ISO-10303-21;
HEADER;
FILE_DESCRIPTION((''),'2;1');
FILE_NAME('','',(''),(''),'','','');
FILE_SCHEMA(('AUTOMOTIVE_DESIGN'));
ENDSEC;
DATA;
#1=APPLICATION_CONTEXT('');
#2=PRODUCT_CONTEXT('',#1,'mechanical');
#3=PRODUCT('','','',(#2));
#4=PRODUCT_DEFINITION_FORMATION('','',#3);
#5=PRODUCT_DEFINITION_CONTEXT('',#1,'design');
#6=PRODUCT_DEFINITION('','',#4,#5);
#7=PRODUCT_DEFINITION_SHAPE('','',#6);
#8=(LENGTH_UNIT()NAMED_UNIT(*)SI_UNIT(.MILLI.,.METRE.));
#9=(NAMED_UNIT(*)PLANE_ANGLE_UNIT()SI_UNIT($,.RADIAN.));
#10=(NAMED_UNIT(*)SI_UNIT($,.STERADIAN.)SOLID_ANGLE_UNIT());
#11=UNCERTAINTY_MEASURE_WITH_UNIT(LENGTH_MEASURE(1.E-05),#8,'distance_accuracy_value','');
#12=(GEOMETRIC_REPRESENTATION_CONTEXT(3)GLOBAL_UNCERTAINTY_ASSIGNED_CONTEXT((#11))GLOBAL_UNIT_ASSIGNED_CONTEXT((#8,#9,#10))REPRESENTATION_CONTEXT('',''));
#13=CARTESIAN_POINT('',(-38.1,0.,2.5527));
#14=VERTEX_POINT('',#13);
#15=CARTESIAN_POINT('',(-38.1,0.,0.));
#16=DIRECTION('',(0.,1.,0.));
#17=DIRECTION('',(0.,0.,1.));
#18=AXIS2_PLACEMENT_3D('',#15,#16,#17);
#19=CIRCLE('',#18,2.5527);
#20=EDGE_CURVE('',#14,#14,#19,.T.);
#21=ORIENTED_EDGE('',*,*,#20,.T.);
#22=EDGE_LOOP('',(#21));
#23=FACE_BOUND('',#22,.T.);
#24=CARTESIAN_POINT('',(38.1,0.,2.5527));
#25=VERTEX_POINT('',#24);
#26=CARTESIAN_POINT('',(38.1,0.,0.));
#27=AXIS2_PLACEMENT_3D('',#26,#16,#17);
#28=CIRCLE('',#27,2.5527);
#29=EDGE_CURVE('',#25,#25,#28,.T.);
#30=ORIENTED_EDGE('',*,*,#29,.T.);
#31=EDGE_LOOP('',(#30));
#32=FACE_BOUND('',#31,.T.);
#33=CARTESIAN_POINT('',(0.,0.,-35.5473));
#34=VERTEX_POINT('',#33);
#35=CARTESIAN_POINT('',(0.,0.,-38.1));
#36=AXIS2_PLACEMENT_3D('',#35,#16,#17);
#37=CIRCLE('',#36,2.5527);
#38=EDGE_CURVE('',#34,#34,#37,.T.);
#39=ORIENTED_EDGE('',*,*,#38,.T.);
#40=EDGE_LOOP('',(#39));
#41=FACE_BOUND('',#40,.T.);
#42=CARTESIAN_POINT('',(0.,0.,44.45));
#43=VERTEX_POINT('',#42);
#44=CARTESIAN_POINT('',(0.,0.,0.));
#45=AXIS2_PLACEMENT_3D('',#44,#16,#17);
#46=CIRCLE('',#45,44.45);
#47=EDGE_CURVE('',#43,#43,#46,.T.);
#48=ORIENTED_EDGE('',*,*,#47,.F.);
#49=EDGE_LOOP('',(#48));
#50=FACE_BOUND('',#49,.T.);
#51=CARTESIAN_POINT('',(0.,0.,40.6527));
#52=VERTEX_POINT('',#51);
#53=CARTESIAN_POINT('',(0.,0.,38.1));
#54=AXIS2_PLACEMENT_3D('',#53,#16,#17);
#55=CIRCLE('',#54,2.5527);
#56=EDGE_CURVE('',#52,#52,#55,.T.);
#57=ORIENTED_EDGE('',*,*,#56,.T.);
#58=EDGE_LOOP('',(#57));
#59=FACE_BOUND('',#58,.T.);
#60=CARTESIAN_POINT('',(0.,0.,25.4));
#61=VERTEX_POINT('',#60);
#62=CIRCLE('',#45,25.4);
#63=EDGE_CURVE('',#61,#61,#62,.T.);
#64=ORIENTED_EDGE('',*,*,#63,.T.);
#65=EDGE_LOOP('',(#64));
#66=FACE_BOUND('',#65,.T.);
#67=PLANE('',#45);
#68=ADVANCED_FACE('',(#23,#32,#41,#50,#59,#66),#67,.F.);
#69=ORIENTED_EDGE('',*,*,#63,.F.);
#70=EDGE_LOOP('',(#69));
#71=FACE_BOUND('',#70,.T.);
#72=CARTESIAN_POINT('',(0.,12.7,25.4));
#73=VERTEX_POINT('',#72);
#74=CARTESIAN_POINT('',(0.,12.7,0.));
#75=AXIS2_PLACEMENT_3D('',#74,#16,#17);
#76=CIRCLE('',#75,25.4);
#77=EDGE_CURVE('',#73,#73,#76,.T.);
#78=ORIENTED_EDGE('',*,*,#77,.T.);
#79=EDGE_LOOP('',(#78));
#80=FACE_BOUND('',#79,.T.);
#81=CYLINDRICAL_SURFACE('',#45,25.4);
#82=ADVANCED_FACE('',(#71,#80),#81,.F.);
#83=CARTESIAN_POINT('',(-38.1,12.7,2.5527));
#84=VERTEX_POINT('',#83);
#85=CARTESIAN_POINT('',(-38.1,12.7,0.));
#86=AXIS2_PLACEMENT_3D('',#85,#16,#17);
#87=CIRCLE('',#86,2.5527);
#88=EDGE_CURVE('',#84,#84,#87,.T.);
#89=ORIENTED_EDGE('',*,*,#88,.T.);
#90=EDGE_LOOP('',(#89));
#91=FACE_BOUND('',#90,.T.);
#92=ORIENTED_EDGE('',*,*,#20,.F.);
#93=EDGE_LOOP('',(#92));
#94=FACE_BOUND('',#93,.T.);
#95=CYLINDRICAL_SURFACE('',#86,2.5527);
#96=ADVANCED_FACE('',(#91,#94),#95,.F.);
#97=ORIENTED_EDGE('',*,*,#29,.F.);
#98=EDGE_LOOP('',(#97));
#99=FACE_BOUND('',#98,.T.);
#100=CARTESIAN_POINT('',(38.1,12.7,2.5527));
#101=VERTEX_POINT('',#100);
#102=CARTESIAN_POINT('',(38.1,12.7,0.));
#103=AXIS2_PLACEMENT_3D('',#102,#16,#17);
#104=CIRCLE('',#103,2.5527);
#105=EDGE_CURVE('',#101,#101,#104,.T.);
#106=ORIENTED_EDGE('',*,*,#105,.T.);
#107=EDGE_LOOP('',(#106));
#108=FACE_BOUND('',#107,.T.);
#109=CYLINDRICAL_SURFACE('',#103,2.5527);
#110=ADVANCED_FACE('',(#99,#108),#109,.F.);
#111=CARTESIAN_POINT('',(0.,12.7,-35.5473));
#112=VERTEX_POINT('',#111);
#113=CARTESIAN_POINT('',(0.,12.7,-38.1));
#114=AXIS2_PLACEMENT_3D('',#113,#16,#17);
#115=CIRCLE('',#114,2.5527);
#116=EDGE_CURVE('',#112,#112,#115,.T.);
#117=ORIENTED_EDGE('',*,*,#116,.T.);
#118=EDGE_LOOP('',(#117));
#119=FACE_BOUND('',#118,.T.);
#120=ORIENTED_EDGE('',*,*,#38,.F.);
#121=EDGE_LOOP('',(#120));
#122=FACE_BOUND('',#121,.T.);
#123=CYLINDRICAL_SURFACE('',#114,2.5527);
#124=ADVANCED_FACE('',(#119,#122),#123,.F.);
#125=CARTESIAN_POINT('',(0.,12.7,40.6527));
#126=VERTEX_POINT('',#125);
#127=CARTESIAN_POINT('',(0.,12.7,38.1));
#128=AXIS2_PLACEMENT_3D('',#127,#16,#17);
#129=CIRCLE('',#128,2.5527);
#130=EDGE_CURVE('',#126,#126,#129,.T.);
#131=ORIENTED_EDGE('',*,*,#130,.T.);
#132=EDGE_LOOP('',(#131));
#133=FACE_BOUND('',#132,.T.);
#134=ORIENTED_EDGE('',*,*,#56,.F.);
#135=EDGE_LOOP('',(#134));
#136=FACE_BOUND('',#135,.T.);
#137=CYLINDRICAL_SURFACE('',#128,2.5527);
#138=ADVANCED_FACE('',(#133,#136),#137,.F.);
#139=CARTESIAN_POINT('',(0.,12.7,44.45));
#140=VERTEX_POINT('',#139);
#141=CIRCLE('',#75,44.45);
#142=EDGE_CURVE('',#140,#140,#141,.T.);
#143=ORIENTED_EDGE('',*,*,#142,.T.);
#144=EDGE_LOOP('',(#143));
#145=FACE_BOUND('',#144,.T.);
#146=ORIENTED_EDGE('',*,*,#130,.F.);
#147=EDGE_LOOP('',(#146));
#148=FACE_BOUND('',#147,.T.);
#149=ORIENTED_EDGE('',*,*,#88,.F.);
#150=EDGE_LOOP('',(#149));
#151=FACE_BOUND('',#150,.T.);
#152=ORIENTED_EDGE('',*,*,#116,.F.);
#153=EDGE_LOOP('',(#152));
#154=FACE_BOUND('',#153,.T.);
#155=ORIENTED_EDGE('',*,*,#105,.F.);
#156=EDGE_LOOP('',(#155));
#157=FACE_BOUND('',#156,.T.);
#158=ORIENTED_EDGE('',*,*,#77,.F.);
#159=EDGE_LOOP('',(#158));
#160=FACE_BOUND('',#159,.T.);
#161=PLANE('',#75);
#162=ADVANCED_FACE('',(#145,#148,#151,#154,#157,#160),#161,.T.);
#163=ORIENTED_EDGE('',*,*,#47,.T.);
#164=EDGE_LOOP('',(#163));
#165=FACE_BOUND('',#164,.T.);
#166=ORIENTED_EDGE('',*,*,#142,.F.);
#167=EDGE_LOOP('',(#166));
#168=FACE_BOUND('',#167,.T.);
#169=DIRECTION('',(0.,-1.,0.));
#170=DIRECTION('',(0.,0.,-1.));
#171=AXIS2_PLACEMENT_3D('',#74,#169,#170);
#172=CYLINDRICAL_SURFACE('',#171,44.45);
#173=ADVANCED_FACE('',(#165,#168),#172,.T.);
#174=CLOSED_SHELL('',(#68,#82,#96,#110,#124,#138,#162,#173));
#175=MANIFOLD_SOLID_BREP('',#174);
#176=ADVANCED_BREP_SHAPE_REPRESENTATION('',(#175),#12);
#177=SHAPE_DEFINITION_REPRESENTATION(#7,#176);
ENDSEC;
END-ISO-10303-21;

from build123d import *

# Parameters (mm, degrees)
SKETCH1_R                  = 44.45
BOSS_EXTRUDE1_DEPTH        = 12.7
SKETCH2_R                  = 25.4
CUT_EXTRUDE1_DEPTH         = 13.7
F_7_0_201_DIAMETER_HOLE1_D = 5.1054
CIRPATTERN1_COUNT          = 4


with BuildPart() as part:
    # Sketch1 → Boss-Extrude1 (new body)
    with BuildSketch(Plane(origin=(0, 0, 0), x_dir=(1, 0, 0), z_dir=(0, 1, 0))):
        with Locations(Location((0, 0, 0), (0, 0, 270))):  # turned: the seam where the file's is
            Circle(SKETCH1_R)
    extrude(amount=BOSS_EXTRUDE1_DEPTH)

    # Sketch2 → Cut-Extrude1 (cut, through all)
    with BuildSketch(Plane(origin=(0, 12.7, 0), x_dir=(1, 0, 0), z_dir=(0, 1, 0))):
        with Locations(Location((0, 0, 0), (0, 0, 270))):  # turned: the seam where the file's is
            Circle(SKETCH2_R)
    extrude(amount=-CUT_EXTRUDE1_DEPTH, mode=Mode.SUBTRACT)

    # #7 (0.201) Diameter Hole1 (through all)
    with Locations(Plane(origin=(0, 12.7, 0), x_dir=(-1, 0, 0), z_dir=(0, 1, 0))):
        with Locations((0, -38.1)):
            f_7_0_201_diameter_hole1 = Hole(F_7_0_201_DIAMETER_HOLE1_D / 2)

    # CirPattern1: #7 (0.201) Diameter Hole1 ×4 about axis
    cirpattern1_axis = Axis((0, 0, 0), (0, 1, 0))
    for i in range(1, CIRPATTERN1_COUNT):
        add(f_7_0_201_diameter_hole1.rotate(cirpattern1_axis, i * 360 / CIRPATTERN1_COUNT), mode=Mode.SUBTRACT)


solid = part.part
